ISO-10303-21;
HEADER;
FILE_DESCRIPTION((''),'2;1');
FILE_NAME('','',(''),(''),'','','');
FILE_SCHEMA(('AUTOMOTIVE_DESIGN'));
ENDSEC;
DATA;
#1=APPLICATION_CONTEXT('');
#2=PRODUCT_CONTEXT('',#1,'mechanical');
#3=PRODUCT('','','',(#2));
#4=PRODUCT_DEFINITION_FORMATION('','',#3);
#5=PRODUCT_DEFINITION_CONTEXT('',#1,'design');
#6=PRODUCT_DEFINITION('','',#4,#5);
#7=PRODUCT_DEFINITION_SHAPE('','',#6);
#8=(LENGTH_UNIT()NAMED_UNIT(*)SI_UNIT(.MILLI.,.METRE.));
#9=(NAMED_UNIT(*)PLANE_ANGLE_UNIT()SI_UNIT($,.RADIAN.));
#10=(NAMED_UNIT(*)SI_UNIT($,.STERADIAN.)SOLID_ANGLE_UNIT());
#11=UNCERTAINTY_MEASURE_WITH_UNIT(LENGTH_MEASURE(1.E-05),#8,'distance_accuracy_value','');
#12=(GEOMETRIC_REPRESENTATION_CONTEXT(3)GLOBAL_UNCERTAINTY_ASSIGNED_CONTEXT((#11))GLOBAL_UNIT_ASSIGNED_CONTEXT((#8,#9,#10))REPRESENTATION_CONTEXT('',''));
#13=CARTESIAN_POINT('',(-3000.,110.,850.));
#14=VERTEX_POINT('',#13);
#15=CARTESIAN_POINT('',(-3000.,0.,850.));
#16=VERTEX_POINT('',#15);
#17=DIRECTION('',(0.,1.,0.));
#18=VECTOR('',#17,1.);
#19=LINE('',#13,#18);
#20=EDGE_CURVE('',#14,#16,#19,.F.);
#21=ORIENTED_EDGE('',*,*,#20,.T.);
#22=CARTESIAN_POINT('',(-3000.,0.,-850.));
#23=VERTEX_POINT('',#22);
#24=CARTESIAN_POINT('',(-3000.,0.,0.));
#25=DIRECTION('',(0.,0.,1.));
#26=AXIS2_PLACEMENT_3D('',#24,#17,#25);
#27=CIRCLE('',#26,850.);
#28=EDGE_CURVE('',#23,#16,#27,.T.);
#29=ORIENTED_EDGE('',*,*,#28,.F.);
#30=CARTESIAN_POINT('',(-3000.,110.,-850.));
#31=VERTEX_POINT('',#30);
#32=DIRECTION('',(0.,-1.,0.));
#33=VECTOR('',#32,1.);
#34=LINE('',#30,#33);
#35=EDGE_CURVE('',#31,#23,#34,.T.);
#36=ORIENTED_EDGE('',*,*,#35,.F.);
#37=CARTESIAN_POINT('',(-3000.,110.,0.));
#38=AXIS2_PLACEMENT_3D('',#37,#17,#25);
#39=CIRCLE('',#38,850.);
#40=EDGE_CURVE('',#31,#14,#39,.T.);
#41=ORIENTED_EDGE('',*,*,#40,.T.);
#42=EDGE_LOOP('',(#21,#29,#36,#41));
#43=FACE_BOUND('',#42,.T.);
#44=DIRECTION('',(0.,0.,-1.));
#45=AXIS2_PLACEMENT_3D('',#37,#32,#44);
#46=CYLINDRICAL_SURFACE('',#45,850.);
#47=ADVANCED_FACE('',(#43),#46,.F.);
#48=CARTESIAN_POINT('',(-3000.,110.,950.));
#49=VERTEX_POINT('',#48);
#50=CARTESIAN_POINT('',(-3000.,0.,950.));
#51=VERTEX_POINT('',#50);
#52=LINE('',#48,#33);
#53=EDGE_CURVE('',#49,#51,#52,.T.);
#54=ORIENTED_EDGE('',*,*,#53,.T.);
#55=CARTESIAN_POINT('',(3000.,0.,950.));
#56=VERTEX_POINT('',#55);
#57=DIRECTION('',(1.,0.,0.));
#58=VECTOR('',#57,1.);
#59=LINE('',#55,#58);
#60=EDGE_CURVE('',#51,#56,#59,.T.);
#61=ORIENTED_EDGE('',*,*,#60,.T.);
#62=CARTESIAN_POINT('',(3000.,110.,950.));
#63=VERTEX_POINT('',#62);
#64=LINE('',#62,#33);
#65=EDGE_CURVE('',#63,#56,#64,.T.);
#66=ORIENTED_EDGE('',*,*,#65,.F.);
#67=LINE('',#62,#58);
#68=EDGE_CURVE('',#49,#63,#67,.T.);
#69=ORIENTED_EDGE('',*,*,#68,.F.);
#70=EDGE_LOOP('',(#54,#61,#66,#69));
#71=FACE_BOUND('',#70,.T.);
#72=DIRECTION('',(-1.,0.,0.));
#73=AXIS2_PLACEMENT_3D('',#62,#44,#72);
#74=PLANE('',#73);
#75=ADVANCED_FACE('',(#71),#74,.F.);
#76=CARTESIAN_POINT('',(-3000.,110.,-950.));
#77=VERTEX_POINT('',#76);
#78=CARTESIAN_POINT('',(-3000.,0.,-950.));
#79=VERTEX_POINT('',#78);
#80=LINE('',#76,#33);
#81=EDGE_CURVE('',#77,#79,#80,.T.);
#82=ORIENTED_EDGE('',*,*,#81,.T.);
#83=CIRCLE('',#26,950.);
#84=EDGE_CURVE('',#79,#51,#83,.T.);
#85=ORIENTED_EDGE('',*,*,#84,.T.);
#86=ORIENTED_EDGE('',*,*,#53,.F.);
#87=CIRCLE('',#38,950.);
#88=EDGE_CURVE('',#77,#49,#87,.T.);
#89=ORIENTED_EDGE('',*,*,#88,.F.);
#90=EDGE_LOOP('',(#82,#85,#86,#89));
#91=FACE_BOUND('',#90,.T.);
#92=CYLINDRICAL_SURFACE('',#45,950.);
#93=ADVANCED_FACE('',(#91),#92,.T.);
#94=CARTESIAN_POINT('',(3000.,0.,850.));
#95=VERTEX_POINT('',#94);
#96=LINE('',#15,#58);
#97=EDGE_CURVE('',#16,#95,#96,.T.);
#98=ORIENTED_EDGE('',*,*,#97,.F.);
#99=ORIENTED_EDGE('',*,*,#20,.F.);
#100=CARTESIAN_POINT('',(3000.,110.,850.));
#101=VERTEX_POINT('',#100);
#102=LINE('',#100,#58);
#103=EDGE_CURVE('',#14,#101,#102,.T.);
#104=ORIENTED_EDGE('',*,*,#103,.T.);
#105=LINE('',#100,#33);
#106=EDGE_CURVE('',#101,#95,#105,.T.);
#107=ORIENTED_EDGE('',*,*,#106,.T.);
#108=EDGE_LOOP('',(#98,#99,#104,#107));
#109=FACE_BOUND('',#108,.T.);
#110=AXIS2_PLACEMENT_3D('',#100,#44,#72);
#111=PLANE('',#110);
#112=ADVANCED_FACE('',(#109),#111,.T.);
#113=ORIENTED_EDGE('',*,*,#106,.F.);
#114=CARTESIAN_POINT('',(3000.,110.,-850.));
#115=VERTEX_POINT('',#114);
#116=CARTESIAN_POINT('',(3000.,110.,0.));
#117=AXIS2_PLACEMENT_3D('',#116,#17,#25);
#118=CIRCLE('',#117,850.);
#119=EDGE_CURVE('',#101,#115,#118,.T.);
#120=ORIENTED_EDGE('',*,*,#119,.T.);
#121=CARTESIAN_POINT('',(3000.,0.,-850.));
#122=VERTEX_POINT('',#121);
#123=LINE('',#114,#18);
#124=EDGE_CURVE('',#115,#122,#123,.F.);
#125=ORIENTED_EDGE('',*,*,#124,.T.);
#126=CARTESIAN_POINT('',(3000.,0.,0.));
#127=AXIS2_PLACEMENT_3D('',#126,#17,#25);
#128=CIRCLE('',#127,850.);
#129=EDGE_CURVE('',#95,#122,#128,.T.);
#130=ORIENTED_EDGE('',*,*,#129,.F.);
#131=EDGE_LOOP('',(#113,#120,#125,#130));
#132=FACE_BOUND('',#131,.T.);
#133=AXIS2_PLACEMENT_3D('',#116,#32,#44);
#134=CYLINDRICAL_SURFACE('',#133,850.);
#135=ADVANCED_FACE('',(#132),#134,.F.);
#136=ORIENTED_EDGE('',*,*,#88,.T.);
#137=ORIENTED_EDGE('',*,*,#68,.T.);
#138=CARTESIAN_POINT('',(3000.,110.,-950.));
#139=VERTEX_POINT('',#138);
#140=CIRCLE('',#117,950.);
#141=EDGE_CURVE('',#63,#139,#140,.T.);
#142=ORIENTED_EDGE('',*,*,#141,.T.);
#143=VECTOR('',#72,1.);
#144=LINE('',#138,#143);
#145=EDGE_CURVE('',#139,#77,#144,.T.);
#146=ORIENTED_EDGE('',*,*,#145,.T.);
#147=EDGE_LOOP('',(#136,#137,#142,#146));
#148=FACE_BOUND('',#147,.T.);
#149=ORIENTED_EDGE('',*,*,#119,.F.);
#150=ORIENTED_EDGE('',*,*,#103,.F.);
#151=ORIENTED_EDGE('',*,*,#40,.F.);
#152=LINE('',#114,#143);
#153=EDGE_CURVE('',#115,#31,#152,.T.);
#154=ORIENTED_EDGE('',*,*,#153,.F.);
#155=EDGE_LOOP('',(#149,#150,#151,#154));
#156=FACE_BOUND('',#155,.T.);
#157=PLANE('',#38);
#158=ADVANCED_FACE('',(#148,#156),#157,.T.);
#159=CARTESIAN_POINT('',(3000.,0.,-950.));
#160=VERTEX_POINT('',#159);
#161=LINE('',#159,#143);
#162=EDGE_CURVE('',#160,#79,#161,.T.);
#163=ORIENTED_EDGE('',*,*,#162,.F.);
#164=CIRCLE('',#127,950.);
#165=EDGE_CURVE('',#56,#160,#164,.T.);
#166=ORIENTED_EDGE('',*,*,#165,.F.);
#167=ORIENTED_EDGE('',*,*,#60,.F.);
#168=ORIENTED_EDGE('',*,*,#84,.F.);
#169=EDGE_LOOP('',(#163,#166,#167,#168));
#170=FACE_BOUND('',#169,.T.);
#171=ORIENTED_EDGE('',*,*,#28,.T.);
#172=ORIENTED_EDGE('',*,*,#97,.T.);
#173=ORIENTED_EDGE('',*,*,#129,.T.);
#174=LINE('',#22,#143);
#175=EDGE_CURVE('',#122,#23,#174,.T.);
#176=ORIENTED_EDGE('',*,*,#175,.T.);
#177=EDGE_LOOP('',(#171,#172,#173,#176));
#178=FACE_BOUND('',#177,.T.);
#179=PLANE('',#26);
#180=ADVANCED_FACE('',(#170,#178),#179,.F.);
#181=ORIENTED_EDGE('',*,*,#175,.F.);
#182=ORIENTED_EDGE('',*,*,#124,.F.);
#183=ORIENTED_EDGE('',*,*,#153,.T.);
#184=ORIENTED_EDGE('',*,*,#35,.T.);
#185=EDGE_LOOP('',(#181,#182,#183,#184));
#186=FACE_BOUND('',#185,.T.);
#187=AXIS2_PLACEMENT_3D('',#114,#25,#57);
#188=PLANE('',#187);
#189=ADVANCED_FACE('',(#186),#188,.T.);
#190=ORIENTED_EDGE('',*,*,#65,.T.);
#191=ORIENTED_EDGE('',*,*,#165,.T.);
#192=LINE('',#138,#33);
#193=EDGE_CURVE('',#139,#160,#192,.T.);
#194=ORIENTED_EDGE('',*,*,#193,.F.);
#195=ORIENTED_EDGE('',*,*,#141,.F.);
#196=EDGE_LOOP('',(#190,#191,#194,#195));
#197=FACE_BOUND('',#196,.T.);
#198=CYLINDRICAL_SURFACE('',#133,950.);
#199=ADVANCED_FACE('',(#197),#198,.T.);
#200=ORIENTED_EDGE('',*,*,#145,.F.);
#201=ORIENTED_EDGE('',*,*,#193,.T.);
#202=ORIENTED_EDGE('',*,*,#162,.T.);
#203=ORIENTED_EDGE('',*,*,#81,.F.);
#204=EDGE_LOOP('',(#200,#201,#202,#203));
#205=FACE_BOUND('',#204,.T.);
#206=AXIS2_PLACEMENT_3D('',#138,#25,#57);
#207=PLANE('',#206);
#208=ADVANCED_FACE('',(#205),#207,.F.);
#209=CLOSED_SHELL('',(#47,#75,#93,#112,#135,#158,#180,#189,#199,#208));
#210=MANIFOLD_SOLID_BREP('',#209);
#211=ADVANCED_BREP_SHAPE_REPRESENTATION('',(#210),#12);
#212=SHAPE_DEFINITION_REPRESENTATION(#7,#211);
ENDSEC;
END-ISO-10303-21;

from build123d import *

# Parameters (mm, degrees)
BOSS_EXTRUDE1_DEPTH = 110
SHELL1_T            = -100
CUT_EXTRUDE1_DEPTH  = 110


with BuildPart() as part:
    # Sketch2 → Boss-Extrude1 (new body)
    with BuildSketch(Plane(origin=(0, 0, 0), x_dir=(1, 0, 0), z_dir=(0, 1, 0))):
        with BuildLine():
            Line((3000, 950), (-3000, 950))
            ThreePointArc((-3000, 950), (-3950, 0), (-3000, -950))
            Line((-3000, -950), (3000, -950))
            ThreePointArc((3000, -950), (3950, 0), (3000, 950))
        make_face()
    extrude(amount=BOSS_EXTRUDE1_DEPTH)

    # Shell1
    shell1_openings = [part.faces().sort_by_distance(p)[0] for p in [
        (0, 110, 0),
    ]]
    offset(amount=SHELL1_T, openings=shell1_openings, kind=Kind.INTERSECTION)

    # Sketch5 → Cut-Extrude1 (cut)
    with BuildSketch(Plane(origin=(0, 100, 0), x_dir=(1, 0, 0), z_dir=(0, 1, 0))):
        with BuildLine():
            Line((-3000, 850), (3000, 850))
            ThreePointArc((3000, 850), (3850, 0), (3000, -850))
            Line((3000, -850), (-3000, -850))
            ThreePointArc((-3000, -850), (-3850, 0), (-3000, 850))
        make_face()
    extrude(amount=-CUT_EXTRUDE1_DEPTH, mode=Mode.SUBTRACT)


solid = part.part
